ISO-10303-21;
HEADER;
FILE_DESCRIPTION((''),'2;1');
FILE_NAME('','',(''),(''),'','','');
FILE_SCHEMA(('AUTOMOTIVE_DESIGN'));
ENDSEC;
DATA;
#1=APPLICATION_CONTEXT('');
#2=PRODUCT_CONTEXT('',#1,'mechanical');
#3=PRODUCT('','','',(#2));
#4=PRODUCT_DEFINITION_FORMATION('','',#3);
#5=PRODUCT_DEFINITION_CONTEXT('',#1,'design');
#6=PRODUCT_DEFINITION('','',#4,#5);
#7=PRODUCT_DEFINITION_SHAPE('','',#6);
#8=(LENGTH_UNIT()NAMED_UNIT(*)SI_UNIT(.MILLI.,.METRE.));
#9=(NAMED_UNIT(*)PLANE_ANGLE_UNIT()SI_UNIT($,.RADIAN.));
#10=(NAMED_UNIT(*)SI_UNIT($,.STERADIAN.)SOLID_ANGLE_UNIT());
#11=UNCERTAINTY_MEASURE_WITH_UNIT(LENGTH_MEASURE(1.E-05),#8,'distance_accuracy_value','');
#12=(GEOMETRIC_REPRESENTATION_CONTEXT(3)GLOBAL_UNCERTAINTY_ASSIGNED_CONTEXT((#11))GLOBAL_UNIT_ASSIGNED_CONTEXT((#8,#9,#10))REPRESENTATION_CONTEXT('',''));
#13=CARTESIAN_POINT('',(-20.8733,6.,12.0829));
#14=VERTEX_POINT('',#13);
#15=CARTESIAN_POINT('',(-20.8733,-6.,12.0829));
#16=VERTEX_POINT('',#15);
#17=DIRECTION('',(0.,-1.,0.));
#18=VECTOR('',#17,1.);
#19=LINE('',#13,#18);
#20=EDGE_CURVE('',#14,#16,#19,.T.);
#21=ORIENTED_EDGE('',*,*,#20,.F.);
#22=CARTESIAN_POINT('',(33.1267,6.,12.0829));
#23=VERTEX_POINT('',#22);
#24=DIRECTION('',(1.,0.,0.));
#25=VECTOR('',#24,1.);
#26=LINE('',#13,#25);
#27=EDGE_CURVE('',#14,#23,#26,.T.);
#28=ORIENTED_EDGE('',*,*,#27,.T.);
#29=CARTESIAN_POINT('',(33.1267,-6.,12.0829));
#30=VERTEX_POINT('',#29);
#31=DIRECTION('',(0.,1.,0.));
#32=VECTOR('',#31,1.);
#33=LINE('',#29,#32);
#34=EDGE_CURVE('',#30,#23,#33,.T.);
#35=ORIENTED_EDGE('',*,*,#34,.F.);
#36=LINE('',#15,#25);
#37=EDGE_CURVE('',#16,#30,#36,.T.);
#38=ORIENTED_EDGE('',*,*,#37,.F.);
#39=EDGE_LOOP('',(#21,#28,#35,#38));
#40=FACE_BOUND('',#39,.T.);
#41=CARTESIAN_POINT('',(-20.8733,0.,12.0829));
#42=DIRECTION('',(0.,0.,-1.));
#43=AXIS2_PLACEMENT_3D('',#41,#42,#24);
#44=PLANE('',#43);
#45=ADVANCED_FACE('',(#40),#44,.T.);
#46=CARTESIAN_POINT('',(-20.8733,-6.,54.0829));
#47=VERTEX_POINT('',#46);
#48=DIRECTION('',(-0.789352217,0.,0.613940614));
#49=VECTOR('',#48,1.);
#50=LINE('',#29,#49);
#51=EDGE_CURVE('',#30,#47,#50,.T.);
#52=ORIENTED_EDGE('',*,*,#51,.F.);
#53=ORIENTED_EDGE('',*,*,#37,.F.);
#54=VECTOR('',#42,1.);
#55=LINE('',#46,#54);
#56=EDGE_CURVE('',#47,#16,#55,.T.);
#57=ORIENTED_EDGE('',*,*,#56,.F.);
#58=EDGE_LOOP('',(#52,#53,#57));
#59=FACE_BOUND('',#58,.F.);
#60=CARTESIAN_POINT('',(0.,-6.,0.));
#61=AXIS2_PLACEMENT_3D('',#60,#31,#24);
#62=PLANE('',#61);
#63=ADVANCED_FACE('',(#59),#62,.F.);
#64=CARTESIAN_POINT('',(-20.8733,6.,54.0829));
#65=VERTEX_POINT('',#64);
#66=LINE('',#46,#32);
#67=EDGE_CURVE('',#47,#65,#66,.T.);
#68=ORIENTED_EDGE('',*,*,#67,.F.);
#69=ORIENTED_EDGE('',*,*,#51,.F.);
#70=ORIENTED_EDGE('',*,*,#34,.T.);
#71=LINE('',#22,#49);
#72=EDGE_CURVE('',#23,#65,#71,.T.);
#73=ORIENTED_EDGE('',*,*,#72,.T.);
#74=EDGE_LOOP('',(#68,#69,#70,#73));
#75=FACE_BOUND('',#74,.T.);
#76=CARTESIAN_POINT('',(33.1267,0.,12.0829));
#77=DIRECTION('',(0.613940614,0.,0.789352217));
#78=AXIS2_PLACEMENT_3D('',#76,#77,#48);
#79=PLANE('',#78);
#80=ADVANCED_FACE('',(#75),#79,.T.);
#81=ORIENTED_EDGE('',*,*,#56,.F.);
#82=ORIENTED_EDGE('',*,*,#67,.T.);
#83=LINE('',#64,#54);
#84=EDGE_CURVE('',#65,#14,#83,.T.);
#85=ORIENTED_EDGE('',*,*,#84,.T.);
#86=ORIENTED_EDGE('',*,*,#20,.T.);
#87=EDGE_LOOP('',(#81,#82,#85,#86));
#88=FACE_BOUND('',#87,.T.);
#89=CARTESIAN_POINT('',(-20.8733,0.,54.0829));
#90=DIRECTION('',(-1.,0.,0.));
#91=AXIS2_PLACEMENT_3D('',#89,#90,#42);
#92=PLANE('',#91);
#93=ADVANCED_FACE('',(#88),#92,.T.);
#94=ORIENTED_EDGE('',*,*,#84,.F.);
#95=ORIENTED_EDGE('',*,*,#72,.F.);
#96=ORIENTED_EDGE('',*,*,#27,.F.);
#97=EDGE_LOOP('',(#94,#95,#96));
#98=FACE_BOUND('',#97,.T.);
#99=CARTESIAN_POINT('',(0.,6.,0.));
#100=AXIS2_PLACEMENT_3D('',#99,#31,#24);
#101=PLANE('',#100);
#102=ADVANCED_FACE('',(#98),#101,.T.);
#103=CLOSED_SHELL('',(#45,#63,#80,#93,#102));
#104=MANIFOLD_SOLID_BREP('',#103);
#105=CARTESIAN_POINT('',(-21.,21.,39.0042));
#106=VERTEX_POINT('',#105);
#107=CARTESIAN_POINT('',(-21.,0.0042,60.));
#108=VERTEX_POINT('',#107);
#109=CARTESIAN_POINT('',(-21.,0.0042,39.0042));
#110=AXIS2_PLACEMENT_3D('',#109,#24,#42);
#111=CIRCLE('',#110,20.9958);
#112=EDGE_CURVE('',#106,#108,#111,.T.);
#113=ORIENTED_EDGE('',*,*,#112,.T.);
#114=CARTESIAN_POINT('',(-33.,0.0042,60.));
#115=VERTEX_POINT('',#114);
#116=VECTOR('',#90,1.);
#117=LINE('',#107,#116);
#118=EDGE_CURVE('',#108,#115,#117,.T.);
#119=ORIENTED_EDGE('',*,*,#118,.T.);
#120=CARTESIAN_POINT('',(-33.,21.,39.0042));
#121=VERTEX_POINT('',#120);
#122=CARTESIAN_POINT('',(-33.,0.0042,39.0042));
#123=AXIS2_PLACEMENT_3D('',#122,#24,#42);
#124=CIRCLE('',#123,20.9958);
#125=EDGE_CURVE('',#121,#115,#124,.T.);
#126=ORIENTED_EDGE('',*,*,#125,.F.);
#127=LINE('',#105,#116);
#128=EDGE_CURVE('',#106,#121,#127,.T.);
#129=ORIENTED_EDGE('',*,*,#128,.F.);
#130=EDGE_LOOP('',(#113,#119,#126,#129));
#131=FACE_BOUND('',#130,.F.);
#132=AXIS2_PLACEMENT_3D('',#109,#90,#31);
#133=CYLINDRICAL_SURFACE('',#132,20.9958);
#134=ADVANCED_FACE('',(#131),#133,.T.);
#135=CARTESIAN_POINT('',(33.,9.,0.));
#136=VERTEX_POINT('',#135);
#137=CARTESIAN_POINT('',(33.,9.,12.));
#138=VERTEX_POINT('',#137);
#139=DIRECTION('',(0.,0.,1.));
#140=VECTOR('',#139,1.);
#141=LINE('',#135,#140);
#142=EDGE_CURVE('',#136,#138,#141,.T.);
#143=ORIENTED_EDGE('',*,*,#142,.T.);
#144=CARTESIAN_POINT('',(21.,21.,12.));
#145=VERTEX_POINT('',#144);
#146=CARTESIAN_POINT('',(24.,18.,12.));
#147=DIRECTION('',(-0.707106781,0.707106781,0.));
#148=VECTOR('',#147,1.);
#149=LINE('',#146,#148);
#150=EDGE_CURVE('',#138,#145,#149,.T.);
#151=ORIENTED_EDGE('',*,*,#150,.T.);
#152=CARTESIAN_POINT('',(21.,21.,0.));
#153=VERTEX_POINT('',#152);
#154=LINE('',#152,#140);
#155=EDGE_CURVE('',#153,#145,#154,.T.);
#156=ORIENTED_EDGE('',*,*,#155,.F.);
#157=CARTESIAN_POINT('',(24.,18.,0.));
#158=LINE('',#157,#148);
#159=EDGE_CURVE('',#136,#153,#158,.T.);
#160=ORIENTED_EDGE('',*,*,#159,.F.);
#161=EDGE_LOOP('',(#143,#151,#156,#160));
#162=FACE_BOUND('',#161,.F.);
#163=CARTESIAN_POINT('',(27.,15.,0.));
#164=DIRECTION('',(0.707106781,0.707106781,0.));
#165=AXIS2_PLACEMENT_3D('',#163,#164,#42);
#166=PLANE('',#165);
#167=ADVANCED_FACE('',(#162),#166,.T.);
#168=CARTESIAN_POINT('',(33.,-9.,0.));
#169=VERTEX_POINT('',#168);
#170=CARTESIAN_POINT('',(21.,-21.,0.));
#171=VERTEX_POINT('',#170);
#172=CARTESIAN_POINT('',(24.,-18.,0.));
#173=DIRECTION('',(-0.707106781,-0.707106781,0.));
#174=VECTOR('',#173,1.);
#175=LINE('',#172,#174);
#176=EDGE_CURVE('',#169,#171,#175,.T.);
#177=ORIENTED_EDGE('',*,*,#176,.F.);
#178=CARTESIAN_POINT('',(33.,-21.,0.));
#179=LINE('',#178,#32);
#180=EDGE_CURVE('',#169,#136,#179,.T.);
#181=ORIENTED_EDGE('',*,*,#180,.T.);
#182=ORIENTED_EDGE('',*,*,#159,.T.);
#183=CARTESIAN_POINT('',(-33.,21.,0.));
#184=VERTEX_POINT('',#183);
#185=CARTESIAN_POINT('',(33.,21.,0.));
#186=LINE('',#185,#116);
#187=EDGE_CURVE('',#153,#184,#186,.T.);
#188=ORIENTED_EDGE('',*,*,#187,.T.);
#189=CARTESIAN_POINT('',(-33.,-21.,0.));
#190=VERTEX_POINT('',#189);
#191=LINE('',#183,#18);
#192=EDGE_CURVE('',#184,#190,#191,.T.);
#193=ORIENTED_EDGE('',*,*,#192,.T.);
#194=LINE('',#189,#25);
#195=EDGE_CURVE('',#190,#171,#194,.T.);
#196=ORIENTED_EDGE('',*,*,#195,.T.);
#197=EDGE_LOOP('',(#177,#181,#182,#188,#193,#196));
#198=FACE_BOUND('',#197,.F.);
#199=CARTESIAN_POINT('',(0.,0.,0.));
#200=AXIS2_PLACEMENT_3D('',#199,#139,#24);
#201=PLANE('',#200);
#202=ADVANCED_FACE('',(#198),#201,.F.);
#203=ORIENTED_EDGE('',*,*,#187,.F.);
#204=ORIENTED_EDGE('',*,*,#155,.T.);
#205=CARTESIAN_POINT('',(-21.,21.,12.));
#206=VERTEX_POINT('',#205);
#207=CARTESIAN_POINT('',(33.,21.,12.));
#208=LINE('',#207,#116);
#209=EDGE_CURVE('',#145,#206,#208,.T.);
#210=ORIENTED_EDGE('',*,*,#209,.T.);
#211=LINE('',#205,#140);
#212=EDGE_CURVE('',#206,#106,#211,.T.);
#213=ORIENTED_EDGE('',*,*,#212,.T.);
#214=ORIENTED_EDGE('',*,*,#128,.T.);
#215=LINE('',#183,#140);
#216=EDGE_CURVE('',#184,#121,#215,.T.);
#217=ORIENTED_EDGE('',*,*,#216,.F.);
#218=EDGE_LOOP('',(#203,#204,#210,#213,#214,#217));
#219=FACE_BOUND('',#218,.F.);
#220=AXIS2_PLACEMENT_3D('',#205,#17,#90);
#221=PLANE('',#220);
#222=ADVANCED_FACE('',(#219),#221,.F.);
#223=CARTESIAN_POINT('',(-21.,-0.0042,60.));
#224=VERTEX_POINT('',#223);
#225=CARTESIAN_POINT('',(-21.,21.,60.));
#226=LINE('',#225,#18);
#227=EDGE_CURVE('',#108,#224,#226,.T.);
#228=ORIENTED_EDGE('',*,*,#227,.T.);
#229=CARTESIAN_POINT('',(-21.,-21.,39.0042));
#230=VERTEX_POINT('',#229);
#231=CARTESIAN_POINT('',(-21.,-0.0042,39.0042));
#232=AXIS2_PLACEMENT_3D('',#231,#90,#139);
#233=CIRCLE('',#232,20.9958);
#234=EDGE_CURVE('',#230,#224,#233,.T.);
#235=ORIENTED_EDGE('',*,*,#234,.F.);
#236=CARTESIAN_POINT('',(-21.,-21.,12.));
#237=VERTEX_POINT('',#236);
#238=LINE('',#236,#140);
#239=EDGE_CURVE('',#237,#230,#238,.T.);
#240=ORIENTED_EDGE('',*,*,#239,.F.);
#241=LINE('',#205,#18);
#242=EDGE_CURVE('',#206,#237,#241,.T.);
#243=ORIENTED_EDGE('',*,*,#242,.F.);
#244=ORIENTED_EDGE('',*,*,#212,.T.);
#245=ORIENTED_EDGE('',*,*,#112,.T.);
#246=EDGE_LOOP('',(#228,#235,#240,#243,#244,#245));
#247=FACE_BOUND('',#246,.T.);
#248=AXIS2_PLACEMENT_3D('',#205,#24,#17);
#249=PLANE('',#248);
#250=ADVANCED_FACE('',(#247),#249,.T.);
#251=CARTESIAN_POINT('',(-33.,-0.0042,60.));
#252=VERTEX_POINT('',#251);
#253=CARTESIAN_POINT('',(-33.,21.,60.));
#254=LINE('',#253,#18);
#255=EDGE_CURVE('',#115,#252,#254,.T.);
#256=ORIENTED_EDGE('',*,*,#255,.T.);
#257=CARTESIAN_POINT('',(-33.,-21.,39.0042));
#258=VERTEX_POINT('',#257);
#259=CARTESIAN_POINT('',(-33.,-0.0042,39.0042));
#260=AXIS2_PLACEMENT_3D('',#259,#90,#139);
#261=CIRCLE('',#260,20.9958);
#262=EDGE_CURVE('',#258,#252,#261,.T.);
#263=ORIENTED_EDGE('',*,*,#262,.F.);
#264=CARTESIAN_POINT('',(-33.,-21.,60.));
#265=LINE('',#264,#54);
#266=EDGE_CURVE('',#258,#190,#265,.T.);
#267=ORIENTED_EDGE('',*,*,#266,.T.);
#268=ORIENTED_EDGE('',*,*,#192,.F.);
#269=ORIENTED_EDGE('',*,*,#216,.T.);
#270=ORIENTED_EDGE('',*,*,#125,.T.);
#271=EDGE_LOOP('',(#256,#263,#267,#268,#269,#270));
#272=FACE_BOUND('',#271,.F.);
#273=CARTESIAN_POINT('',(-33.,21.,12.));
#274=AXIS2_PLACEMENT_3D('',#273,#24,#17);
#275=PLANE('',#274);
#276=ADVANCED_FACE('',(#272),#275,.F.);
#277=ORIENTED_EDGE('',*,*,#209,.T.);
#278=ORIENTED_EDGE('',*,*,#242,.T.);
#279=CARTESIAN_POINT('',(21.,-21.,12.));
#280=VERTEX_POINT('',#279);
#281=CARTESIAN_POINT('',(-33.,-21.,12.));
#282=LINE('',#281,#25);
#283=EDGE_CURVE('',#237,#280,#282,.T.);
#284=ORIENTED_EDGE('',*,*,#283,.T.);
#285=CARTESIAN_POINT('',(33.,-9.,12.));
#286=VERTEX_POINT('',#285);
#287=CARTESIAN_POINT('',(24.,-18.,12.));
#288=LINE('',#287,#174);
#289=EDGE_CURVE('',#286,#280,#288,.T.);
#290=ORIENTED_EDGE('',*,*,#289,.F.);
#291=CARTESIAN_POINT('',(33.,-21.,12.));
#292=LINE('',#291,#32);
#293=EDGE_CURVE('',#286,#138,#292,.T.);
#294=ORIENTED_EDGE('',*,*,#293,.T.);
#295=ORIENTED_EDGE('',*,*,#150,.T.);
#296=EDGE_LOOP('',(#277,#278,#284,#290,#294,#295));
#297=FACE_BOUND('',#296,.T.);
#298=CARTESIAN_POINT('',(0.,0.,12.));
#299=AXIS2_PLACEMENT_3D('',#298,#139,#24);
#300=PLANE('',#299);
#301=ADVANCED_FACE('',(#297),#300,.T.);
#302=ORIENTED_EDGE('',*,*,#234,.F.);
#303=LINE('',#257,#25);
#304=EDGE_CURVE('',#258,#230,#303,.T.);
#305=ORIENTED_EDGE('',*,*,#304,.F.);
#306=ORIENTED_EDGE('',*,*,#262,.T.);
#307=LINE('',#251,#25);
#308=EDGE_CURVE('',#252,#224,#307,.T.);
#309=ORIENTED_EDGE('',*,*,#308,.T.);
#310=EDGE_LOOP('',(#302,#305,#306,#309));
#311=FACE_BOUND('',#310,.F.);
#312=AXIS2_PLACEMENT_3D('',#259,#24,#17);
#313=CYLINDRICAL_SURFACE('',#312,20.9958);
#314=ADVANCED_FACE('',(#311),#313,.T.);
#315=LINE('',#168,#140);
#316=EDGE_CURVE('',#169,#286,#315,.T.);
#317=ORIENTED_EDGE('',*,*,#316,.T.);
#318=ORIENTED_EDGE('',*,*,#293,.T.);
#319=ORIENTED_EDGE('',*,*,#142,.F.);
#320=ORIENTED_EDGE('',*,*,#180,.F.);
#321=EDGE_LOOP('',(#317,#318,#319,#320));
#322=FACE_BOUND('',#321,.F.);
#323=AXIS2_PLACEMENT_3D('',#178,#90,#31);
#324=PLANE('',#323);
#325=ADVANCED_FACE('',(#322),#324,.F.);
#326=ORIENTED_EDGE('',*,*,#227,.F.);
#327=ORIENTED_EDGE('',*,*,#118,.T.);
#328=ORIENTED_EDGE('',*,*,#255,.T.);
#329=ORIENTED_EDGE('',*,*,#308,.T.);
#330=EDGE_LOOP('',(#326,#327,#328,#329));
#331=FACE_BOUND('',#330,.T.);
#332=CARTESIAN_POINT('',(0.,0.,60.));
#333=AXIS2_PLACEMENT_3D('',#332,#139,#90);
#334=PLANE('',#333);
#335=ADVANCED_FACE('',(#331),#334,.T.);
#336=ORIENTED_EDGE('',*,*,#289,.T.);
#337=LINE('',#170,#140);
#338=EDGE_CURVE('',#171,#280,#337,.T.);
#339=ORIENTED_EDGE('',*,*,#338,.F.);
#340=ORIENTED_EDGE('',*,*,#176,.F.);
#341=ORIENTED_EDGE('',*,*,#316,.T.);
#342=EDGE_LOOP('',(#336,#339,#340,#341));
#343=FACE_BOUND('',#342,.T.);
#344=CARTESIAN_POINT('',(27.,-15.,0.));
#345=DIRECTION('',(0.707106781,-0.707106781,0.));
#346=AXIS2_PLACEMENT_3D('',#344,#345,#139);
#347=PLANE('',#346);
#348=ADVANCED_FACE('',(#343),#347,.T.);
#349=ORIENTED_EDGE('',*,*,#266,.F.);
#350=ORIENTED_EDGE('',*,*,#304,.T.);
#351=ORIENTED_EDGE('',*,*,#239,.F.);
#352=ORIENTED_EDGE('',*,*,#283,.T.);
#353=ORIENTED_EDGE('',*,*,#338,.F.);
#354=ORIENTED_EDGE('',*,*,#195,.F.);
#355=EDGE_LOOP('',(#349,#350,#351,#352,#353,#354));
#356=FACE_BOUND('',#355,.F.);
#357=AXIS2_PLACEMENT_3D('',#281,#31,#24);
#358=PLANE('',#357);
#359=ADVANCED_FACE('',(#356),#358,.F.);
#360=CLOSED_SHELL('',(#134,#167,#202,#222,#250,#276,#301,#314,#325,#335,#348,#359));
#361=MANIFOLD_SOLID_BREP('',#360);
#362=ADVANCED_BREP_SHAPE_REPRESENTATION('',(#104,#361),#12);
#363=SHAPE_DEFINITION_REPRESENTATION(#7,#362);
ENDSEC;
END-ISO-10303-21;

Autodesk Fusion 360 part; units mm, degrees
sketch "Sketch1" plane through (0, 0, 0) normal (0, 0, 1) x (1, 0, 0)
  line L0 (33, 21) -> (-33, 21)
  line L1 (-33, 21) -> (-33, -21)
  line L2 (-33, -21) -> (33, -21)
  line L3 (33, -21) -> (33, 21)
  line L4 (33, 21) -> (-33, -21) construction
  line L5 (-33, 21) -> (33, -21) construction
  dimension "d1" = 66
  dimension "d2" = 42
extrude "Extrude1" add sketch "Sketch1" along normal blind 12 makes body 1
chamfer "Chamfer1" distance 12 angle 45 2 edges at (33, -21, 6) (33, 21, 6) on bodies 1
sketch "Sketch2" plane through (0, 0, 12) normal (0, 0, 1) x (-1, 0, 0)
  line L0 (-33, -9) -> (-21, -21)
  line L1 (-21, -21) -> (33, -21)
  line L2 (33, -21) -> (33, 21)
  line L3 (33, 21) -> (-21, 21)
  line L4 (-21, 21) -> (-33, 9)
  line L5 (-33, 9) -> (-33, -9)
  line L6 (33, -21) -> (21, -21)
  line L7 (21, -21) -> (21, 21)
  line L8 (21, 21) -> (33, 21)
  line L9 (33, 21) -> (33, -21)
  dimension "d6" = 12
extrude "Extrude2" add sketch "Sketch2" along normal blind 48 contours L1 L2 L3 L6 L7 L8 L9 bodies 1
fillet "Fillet1" radius 21 2 edges at (-27, -21, 60) (-27, 21, 60) on bodies 1
sketch "Sketch3" plane through (0, 0, 0) normal (0, 1, 0) x (1, 0, 0)
  line L0 (-20.8733, -54.0829) -> (-20.8733, -12.0829)
  line L1 (-20.8733, -12.0829) -> (33.1267, -12.0829)
  line L2 (33.1267, -12.0829) -> (-20.8733, -54.0829)
  dimension "d11" = 42
  dimension "d12" = 54
extrude "Extrude3" add sketch "Sketch3" along normal mid plane 12 separate body makes body 2
equation "d7 = 60 mm - 12 mm"
equation "d12 = 66 mm - 12 mm"
